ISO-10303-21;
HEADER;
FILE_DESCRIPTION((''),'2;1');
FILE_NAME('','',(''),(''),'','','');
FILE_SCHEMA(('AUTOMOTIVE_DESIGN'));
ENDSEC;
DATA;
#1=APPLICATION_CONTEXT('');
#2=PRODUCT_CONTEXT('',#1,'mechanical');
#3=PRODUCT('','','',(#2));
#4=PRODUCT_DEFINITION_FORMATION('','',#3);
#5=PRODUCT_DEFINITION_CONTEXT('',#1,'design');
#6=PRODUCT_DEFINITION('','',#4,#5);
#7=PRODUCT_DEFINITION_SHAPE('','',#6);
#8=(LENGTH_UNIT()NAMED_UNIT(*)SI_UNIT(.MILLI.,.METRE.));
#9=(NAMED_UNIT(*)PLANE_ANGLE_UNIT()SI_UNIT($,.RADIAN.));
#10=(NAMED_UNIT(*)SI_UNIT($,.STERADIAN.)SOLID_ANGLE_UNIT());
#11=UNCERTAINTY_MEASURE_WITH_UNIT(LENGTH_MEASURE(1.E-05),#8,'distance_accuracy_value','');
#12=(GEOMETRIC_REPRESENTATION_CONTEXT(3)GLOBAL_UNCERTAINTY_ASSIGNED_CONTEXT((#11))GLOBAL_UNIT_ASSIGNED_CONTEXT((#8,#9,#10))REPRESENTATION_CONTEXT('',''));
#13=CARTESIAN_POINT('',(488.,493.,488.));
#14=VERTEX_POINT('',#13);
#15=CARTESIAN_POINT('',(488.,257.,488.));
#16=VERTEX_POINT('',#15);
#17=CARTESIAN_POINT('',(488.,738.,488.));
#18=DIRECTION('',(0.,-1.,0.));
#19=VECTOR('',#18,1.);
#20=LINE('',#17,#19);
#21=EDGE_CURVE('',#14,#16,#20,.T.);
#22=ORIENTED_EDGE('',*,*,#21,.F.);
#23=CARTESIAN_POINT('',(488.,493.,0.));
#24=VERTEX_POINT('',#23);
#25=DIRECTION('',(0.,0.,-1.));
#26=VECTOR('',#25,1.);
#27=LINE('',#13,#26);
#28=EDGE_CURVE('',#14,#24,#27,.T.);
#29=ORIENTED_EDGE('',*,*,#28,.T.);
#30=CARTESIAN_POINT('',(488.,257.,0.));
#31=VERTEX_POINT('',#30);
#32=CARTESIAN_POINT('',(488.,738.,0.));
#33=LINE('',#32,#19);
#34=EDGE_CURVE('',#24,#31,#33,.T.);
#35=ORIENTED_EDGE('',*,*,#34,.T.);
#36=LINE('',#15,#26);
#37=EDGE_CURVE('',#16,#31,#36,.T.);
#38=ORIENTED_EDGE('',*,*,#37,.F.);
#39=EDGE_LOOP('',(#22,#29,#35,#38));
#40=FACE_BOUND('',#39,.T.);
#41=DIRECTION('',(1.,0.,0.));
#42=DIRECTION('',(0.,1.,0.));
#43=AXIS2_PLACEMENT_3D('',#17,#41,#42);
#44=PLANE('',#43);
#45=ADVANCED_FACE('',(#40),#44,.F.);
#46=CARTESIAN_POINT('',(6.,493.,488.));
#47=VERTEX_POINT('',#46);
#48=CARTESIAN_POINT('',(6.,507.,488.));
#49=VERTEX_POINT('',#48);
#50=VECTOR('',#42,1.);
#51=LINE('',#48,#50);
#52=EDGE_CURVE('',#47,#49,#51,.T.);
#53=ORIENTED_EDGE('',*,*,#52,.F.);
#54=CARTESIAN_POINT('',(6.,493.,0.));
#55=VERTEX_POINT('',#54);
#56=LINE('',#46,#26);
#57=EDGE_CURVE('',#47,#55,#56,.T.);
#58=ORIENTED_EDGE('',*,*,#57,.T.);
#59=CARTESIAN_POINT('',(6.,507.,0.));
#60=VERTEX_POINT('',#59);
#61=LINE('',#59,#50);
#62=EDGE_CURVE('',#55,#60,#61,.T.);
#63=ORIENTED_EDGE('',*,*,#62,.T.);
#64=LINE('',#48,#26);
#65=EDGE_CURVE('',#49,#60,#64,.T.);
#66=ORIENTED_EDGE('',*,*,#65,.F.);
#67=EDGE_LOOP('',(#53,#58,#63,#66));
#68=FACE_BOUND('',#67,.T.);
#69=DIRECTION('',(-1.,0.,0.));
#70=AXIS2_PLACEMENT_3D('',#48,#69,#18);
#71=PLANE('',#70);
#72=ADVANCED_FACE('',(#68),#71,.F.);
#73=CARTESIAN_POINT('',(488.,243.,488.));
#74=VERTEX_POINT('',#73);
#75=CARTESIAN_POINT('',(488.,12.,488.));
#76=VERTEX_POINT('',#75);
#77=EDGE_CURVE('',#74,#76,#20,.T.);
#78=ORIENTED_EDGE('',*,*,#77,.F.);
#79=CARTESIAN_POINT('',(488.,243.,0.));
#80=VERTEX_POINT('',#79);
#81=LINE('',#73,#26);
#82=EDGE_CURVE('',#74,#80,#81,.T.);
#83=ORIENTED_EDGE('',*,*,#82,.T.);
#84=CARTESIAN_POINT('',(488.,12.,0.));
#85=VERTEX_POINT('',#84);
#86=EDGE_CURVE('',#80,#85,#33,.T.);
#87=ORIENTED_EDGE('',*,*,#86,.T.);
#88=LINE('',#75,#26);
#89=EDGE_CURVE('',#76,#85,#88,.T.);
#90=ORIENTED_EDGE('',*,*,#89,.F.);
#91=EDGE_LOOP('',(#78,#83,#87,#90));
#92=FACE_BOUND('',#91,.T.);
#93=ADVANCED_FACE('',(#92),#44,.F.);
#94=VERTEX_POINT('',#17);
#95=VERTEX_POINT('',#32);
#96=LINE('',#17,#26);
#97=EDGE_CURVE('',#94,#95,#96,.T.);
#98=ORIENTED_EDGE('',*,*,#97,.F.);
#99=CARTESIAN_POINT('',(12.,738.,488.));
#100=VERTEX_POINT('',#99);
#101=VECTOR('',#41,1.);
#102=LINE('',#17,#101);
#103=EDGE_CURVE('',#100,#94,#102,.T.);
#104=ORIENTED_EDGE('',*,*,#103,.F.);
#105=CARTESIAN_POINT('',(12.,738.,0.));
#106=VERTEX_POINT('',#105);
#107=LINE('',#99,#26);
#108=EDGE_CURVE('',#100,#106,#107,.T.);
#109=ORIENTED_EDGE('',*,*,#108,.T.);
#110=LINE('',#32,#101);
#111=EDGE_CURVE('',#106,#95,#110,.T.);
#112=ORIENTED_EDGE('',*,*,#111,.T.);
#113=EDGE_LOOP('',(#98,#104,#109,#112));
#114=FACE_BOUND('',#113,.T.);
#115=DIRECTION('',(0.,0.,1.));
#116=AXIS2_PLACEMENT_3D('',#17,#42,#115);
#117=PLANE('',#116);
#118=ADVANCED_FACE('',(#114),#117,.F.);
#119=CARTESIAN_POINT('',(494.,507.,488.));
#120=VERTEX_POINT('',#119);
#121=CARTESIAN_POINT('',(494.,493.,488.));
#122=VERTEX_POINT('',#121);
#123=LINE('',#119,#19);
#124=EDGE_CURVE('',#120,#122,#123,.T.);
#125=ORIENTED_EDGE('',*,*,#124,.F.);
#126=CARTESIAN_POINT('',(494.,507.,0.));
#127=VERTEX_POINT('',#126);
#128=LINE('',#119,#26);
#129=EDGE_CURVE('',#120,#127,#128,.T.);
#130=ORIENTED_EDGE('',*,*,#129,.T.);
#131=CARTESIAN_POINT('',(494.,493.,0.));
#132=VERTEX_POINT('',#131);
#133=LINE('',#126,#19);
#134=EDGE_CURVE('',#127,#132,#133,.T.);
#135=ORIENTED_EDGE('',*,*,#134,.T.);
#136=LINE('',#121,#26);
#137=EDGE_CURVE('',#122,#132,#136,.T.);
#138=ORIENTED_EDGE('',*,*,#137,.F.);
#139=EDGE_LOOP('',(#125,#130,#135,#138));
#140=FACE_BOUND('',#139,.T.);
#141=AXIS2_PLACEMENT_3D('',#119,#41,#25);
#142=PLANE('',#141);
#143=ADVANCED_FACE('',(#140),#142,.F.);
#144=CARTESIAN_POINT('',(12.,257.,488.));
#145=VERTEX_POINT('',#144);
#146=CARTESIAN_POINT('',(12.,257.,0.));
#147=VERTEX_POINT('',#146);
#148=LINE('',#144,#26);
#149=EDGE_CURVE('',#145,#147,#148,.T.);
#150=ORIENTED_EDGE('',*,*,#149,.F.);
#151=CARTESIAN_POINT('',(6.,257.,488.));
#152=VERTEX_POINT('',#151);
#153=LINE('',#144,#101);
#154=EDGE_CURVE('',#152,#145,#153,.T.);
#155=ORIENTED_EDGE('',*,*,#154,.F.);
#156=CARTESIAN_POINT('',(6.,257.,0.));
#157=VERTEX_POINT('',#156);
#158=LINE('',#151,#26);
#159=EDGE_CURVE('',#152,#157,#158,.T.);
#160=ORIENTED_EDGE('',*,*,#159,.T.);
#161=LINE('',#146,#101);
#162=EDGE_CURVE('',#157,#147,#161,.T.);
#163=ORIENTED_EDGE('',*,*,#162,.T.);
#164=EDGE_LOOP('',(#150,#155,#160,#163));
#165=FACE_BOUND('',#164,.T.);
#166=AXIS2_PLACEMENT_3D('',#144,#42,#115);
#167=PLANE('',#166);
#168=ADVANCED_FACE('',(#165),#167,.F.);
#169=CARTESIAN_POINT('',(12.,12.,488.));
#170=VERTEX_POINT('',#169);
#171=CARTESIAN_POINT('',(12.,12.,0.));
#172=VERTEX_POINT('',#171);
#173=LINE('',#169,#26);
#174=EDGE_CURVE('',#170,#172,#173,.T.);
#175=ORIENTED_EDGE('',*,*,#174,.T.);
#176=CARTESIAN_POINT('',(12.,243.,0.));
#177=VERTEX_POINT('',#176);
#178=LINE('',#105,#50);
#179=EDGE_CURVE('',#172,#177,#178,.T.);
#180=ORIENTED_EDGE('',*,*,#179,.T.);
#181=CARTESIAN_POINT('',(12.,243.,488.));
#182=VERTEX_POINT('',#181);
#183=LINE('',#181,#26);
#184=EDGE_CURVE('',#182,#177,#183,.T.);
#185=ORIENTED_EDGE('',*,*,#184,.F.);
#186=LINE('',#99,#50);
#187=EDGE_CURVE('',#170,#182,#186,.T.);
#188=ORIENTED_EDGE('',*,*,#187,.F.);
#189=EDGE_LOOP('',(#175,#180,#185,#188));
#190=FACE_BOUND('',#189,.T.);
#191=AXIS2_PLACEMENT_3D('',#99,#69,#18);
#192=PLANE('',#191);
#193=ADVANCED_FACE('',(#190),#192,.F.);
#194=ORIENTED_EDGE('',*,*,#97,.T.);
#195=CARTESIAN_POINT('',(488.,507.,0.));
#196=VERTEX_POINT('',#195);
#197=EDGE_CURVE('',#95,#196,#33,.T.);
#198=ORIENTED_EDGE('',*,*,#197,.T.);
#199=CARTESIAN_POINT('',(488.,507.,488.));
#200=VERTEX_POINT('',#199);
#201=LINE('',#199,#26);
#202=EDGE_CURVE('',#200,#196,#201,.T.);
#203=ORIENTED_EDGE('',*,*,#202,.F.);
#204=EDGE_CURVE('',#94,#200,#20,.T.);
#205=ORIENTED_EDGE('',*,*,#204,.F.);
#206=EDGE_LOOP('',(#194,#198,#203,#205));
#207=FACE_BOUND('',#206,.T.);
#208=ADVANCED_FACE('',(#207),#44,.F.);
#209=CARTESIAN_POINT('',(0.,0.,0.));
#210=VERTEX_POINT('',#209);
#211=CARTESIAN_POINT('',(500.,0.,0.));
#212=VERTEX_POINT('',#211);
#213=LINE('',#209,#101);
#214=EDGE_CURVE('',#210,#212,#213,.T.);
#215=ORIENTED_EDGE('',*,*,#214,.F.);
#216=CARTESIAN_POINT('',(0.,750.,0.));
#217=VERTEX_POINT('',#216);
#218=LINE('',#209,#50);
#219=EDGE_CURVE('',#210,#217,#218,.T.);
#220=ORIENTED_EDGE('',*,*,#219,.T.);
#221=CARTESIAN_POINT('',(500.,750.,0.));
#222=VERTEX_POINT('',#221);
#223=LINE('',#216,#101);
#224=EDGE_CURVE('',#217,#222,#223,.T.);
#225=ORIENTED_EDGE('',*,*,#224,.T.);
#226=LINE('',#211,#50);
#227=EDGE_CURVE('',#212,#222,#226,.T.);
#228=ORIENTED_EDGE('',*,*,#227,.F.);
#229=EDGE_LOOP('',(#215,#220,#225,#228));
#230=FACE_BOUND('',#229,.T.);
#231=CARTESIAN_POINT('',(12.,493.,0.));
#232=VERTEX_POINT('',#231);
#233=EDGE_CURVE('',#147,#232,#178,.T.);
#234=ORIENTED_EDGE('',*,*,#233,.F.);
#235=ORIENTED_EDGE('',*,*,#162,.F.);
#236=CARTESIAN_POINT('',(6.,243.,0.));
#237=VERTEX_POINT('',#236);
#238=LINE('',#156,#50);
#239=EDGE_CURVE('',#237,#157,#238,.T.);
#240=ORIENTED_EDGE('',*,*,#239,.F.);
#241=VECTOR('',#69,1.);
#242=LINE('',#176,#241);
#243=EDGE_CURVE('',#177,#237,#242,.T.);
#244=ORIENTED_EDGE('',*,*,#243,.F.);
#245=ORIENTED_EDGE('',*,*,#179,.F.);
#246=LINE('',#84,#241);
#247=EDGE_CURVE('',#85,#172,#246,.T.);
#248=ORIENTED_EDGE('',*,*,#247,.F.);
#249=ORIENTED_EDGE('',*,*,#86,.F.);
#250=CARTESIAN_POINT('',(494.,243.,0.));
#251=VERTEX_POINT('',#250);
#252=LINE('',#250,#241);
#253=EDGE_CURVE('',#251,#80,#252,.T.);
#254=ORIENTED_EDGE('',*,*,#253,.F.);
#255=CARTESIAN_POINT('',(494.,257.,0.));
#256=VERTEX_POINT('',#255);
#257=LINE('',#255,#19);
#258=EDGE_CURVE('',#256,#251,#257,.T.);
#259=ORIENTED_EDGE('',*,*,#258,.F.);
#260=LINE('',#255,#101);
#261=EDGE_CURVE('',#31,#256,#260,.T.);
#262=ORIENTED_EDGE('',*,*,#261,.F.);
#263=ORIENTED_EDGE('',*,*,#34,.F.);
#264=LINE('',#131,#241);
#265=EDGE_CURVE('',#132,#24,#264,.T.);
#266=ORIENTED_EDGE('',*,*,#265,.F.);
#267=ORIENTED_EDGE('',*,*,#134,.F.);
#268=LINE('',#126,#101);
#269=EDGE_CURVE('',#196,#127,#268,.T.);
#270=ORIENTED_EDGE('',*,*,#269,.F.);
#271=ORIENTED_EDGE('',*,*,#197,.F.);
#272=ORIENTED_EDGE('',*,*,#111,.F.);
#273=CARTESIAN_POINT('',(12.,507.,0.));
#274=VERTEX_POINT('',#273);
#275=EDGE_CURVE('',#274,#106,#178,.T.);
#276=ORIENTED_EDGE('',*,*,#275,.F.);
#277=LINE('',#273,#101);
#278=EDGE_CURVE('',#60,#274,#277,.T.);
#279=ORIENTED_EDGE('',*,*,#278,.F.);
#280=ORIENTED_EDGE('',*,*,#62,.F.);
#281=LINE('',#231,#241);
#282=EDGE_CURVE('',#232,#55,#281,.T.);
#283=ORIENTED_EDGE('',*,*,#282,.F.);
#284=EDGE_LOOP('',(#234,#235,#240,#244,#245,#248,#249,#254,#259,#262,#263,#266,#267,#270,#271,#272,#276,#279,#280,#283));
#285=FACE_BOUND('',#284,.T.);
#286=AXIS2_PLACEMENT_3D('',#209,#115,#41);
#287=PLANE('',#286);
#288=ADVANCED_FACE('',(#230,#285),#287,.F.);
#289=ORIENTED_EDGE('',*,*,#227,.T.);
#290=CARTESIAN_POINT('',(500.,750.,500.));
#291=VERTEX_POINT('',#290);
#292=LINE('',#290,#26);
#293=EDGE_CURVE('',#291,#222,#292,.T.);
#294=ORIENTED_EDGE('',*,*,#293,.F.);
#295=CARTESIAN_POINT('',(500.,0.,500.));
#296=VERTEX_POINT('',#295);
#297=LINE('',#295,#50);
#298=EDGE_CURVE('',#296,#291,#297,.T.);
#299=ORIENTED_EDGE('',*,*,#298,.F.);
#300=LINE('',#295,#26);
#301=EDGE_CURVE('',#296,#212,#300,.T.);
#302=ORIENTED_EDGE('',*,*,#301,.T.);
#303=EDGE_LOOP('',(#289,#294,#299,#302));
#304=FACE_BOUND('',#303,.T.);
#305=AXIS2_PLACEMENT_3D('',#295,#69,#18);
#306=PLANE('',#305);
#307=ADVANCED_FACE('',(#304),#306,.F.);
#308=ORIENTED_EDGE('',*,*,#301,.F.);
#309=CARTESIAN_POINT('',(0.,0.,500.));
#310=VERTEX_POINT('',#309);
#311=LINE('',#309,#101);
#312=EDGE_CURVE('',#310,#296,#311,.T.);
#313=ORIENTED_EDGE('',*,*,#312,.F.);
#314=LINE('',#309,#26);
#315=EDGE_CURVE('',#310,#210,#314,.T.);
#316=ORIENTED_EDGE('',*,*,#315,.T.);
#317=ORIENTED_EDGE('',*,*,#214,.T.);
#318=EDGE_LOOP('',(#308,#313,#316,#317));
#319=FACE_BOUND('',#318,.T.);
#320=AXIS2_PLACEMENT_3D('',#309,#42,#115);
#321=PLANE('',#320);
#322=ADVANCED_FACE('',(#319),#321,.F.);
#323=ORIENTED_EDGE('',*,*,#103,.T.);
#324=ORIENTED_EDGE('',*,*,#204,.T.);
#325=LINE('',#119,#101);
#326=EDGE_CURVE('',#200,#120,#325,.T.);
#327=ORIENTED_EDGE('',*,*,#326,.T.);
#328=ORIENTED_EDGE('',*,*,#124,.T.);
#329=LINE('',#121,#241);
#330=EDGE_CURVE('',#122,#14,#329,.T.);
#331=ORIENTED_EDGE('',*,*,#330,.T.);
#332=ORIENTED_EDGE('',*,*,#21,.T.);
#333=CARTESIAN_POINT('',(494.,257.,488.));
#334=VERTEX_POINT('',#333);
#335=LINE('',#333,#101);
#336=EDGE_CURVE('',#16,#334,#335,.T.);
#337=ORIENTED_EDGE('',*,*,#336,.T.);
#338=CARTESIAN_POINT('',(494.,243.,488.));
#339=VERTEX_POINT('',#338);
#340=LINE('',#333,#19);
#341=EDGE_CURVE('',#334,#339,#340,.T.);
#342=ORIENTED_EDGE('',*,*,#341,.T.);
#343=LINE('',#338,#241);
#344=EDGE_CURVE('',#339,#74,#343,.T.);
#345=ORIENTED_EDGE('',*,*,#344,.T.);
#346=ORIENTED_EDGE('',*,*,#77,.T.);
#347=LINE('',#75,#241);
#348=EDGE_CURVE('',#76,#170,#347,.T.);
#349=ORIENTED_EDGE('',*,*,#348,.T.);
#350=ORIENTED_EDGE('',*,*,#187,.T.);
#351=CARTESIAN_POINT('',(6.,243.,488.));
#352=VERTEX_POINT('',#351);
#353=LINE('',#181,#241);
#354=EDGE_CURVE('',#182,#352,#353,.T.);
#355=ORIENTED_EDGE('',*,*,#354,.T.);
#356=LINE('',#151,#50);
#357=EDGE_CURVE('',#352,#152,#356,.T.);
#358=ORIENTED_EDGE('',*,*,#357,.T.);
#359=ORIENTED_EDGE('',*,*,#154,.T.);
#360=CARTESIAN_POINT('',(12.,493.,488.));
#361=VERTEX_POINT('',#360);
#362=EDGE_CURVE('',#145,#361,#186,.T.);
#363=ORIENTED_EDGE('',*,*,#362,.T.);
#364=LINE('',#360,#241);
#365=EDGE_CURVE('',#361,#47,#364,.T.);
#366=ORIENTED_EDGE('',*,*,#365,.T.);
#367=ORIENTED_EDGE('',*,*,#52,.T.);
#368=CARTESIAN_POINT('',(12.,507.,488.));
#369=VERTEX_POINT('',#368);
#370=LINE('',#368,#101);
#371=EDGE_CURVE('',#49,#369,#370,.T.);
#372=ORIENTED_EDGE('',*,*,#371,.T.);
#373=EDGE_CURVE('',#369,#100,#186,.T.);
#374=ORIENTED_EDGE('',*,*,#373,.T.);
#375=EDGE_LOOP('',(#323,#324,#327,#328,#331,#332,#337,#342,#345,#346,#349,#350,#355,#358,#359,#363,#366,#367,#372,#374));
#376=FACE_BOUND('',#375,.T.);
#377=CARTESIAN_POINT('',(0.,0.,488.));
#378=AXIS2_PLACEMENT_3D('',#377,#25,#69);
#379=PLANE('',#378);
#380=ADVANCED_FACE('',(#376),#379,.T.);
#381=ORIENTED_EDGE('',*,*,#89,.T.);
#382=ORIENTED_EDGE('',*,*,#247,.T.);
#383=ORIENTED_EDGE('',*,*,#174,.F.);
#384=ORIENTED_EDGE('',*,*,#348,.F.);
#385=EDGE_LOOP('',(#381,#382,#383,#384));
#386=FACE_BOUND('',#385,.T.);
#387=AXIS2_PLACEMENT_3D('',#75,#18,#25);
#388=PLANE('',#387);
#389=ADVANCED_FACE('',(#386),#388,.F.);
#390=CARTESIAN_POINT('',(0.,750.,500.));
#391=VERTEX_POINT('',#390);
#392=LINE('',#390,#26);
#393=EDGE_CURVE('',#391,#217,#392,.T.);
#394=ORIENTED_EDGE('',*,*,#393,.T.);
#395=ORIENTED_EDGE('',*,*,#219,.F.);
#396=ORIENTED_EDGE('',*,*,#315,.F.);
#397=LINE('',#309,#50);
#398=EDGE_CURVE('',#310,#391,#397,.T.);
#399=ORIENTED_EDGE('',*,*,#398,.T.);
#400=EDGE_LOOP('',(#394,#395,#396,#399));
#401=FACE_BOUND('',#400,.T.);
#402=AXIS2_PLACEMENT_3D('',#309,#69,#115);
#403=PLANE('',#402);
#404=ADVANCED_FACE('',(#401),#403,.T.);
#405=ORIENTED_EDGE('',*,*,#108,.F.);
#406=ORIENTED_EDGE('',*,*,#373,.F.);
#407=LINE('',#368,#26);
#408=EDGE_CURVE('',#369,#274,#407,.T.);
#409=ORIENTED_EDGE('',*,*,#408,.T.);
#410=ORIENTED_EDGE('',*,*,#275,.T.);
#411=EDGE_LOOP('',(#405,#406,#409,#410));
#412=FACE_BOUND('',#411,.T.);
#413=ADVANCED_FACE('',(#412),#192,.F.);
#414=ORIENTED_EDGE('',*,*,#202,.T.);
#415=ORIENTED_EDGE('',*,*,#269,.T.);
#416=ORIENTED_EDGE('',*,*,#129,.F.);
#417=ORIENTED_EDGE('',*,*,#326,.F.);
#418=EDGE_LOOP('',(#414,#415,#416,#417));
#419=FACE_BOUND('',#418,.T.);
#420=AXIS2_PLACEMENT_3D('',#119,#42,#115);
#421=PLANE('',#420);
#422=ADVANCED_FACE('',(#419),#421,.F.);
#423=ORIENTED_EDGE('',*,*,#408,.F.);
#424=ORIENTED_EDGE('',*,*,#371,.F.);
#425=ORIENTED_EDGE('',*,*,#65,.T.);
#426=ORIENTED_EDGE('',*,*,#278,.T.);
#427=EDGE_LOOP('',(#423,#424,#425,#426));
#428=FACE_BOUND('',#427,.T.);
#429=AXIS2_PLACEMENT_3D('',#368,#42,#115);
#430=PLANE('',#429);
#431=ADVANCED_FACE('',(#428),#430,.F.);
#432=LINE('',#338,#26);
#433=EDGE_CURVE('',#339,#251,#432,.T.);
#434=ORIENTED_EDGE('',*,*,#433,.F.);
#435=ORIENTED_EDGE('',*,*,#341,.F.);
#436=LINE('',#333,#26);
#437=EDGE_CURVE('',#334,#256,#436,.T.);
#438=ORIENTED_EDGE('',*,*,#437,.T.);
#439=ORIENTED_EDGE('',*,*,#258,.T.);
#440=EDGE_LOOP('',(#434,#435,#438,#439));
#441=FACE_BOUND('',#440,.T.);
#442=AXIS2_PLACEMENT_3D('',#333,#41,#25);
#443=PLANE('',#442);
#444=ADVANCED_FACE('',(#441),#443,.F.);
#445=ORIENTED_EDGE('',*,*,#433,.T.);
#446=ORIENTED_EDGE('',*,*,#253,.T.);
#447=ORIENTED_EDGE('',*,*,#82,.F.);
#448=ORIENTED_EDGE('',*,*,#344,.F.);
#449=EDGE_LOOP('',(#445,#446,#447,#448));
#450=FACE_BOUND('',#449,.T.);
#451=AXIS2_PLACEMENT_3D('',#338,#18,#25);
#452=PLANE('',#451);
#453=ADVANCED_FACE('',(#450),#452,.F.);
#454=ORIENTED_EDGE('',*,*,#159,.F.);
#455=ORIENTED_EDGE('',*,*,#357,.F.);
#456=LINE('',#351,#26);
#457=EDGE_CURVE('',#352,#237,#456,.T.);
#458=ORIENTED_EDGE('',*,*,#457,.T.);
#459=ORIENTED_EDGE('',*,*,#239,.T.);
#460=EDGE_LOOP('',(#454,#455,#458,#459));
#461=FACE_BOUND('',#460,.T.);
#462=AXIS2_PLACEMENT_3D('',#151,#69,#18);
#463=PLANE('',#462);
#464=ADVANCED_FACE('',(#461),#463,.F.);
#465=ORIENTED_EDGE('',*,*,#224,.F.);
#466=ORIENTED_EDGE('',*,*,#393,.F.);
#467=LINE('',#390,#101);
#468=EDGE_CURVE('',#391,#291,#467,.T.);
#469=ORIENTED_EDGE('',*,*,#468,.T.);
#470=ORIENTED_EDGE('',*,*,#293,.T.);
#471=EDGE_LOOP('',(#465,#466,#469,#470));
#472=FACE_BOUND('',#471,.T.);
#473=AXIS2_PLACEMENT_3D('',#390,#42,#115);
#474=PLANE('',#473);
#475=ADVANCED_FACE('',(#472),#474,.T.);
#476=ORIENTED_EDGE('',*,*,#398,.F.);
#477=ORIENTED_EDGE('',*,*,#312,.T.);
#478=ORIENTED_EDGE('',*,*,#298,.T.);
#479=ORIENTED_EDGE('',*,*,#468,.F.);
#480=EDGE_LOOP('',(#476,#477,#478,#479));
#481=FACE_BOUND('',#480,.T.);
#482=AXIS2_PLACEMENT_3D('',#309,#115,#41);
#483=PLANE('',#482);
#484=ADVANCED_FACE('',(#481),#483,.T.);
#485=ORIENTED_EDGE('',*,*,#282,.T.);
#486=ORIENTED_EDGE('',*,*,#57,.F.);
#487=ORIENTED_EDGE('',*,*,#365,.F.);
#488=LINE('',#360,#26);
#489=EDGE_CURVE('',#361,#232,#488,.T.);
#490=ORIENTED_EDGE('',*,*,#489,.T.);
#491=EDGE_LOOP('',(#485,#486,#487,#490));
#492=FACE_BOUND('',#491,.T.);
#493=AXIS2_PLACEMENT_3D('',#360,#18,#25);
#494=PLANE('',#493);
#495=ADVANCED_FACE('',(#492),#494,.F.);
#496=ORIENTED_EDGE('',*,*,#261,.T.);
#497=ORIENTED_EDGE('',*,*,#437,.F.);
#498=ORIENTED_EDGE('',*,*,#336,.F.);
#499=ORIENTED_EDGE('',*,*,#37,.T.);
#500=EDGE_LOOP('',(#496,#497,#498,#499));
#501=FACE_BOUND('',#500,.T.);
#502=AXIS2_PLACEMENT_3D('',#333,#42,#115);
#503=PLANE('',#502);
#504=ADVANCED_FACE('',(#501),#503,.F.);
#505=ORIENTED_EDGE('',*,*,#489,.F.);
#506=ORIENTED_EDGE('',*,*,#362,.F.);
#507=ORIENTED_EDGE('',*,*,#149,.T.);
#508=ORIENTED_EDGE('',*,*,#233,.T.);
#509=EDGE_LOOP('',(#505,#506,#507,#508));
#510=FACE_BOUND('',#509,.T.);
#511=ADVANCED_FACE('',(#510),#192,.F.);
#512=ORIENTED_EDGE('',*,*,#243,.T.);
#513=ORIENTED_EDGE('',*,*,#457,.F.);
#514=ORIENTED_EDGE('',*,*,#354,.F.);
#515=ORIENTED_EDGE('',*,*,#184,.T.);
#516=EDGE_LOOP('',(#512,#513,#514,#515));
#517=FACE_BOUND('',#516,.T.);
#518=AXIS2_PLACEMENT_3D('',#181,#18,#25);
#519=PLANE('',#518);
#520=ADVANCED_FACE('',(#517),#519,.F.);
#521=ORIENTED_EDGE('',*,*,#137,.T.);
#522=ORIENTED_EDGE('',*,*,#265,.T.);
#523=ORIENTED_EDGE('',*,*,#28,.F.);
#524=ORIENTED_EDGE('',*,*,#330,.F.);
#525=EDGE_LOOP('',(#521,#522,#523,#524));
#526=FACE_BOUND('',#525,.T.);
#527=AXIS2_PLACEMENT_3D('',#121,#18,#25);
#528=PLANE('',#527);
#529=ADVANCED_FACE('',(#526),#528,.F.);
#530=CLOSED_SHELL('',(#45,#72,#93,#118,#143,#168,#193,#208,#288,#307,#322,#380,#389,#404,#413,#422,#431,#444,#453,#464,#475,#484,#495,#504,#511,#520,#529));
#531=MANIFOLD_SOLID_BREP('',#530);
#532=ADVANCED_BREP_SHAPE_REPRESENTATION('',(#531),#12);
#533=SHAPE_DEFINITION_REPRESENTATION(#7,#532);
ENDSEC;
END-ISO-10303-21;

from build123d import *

# Parameters (mm, degrees)
SKETCH1_W           = 500
SKETCH1_H           = 750
BOSS_EXTRUDE1_DEPTH = 500
SKETCH2_W           = 476
SKETCH2_H           = 726
CUT_EXTRUDE1_DEPTH  = 488
SKETCH3_W           = 6
SKETCH3_H           = 14
CUT_EXTRUDE2_DEPTH  = 488


with BuildPart() as part:
    # Sketch1 → Boss-Extrude1 (new body)
    with BuildSketch(Plane.XY):
        with Locations((250, 375)):
            Rectangle(SKETCH1_W, SKETCH1_H)
    extrude(amount=BOSS_EXTRUDE1_DEPTH)

    # Sketch2 → Cut-Extrude1 (cut)
    with BuildSketch(Plane(origin=(0, 0, 0), x_dir=(-1, 0, 0), z_dir=(0, 0, -1))):
        with Locations((-250, 375)):
            Rectangle(SKETCH2_W, SKETCH2_H)
    extrude(amount=-CUT_EXTRUDE1_DEPTH, mode=Mode.SUBTRACT)

    # Sketch3 → Cut-Extrude2 (cut)
    with BuildSketch(Plane(origin=(0, 0, 0), x_dir=(-1, 0, 0), z_dir=(0, 0, -1))):
        with Locations((-491, 250)):
            Rectangle(SKETCH3_W, SKETCH3_H)
        with Locations((-491, 500)):
            Rectangle(SKETCH3_W, SKETCH3_H)
        with Locations((-9, 500)):
            Rectangle(SKETCH3_W, SKETCH3_H)
        with Locations((-9, 250)):
            Rectangle(SKETCH3_W, SKETCH3_H)
    extrude(amount=-CUT_EXTRUDE2_DEPTH, mode=Mode.SUBTRACT)


solid = part.part
